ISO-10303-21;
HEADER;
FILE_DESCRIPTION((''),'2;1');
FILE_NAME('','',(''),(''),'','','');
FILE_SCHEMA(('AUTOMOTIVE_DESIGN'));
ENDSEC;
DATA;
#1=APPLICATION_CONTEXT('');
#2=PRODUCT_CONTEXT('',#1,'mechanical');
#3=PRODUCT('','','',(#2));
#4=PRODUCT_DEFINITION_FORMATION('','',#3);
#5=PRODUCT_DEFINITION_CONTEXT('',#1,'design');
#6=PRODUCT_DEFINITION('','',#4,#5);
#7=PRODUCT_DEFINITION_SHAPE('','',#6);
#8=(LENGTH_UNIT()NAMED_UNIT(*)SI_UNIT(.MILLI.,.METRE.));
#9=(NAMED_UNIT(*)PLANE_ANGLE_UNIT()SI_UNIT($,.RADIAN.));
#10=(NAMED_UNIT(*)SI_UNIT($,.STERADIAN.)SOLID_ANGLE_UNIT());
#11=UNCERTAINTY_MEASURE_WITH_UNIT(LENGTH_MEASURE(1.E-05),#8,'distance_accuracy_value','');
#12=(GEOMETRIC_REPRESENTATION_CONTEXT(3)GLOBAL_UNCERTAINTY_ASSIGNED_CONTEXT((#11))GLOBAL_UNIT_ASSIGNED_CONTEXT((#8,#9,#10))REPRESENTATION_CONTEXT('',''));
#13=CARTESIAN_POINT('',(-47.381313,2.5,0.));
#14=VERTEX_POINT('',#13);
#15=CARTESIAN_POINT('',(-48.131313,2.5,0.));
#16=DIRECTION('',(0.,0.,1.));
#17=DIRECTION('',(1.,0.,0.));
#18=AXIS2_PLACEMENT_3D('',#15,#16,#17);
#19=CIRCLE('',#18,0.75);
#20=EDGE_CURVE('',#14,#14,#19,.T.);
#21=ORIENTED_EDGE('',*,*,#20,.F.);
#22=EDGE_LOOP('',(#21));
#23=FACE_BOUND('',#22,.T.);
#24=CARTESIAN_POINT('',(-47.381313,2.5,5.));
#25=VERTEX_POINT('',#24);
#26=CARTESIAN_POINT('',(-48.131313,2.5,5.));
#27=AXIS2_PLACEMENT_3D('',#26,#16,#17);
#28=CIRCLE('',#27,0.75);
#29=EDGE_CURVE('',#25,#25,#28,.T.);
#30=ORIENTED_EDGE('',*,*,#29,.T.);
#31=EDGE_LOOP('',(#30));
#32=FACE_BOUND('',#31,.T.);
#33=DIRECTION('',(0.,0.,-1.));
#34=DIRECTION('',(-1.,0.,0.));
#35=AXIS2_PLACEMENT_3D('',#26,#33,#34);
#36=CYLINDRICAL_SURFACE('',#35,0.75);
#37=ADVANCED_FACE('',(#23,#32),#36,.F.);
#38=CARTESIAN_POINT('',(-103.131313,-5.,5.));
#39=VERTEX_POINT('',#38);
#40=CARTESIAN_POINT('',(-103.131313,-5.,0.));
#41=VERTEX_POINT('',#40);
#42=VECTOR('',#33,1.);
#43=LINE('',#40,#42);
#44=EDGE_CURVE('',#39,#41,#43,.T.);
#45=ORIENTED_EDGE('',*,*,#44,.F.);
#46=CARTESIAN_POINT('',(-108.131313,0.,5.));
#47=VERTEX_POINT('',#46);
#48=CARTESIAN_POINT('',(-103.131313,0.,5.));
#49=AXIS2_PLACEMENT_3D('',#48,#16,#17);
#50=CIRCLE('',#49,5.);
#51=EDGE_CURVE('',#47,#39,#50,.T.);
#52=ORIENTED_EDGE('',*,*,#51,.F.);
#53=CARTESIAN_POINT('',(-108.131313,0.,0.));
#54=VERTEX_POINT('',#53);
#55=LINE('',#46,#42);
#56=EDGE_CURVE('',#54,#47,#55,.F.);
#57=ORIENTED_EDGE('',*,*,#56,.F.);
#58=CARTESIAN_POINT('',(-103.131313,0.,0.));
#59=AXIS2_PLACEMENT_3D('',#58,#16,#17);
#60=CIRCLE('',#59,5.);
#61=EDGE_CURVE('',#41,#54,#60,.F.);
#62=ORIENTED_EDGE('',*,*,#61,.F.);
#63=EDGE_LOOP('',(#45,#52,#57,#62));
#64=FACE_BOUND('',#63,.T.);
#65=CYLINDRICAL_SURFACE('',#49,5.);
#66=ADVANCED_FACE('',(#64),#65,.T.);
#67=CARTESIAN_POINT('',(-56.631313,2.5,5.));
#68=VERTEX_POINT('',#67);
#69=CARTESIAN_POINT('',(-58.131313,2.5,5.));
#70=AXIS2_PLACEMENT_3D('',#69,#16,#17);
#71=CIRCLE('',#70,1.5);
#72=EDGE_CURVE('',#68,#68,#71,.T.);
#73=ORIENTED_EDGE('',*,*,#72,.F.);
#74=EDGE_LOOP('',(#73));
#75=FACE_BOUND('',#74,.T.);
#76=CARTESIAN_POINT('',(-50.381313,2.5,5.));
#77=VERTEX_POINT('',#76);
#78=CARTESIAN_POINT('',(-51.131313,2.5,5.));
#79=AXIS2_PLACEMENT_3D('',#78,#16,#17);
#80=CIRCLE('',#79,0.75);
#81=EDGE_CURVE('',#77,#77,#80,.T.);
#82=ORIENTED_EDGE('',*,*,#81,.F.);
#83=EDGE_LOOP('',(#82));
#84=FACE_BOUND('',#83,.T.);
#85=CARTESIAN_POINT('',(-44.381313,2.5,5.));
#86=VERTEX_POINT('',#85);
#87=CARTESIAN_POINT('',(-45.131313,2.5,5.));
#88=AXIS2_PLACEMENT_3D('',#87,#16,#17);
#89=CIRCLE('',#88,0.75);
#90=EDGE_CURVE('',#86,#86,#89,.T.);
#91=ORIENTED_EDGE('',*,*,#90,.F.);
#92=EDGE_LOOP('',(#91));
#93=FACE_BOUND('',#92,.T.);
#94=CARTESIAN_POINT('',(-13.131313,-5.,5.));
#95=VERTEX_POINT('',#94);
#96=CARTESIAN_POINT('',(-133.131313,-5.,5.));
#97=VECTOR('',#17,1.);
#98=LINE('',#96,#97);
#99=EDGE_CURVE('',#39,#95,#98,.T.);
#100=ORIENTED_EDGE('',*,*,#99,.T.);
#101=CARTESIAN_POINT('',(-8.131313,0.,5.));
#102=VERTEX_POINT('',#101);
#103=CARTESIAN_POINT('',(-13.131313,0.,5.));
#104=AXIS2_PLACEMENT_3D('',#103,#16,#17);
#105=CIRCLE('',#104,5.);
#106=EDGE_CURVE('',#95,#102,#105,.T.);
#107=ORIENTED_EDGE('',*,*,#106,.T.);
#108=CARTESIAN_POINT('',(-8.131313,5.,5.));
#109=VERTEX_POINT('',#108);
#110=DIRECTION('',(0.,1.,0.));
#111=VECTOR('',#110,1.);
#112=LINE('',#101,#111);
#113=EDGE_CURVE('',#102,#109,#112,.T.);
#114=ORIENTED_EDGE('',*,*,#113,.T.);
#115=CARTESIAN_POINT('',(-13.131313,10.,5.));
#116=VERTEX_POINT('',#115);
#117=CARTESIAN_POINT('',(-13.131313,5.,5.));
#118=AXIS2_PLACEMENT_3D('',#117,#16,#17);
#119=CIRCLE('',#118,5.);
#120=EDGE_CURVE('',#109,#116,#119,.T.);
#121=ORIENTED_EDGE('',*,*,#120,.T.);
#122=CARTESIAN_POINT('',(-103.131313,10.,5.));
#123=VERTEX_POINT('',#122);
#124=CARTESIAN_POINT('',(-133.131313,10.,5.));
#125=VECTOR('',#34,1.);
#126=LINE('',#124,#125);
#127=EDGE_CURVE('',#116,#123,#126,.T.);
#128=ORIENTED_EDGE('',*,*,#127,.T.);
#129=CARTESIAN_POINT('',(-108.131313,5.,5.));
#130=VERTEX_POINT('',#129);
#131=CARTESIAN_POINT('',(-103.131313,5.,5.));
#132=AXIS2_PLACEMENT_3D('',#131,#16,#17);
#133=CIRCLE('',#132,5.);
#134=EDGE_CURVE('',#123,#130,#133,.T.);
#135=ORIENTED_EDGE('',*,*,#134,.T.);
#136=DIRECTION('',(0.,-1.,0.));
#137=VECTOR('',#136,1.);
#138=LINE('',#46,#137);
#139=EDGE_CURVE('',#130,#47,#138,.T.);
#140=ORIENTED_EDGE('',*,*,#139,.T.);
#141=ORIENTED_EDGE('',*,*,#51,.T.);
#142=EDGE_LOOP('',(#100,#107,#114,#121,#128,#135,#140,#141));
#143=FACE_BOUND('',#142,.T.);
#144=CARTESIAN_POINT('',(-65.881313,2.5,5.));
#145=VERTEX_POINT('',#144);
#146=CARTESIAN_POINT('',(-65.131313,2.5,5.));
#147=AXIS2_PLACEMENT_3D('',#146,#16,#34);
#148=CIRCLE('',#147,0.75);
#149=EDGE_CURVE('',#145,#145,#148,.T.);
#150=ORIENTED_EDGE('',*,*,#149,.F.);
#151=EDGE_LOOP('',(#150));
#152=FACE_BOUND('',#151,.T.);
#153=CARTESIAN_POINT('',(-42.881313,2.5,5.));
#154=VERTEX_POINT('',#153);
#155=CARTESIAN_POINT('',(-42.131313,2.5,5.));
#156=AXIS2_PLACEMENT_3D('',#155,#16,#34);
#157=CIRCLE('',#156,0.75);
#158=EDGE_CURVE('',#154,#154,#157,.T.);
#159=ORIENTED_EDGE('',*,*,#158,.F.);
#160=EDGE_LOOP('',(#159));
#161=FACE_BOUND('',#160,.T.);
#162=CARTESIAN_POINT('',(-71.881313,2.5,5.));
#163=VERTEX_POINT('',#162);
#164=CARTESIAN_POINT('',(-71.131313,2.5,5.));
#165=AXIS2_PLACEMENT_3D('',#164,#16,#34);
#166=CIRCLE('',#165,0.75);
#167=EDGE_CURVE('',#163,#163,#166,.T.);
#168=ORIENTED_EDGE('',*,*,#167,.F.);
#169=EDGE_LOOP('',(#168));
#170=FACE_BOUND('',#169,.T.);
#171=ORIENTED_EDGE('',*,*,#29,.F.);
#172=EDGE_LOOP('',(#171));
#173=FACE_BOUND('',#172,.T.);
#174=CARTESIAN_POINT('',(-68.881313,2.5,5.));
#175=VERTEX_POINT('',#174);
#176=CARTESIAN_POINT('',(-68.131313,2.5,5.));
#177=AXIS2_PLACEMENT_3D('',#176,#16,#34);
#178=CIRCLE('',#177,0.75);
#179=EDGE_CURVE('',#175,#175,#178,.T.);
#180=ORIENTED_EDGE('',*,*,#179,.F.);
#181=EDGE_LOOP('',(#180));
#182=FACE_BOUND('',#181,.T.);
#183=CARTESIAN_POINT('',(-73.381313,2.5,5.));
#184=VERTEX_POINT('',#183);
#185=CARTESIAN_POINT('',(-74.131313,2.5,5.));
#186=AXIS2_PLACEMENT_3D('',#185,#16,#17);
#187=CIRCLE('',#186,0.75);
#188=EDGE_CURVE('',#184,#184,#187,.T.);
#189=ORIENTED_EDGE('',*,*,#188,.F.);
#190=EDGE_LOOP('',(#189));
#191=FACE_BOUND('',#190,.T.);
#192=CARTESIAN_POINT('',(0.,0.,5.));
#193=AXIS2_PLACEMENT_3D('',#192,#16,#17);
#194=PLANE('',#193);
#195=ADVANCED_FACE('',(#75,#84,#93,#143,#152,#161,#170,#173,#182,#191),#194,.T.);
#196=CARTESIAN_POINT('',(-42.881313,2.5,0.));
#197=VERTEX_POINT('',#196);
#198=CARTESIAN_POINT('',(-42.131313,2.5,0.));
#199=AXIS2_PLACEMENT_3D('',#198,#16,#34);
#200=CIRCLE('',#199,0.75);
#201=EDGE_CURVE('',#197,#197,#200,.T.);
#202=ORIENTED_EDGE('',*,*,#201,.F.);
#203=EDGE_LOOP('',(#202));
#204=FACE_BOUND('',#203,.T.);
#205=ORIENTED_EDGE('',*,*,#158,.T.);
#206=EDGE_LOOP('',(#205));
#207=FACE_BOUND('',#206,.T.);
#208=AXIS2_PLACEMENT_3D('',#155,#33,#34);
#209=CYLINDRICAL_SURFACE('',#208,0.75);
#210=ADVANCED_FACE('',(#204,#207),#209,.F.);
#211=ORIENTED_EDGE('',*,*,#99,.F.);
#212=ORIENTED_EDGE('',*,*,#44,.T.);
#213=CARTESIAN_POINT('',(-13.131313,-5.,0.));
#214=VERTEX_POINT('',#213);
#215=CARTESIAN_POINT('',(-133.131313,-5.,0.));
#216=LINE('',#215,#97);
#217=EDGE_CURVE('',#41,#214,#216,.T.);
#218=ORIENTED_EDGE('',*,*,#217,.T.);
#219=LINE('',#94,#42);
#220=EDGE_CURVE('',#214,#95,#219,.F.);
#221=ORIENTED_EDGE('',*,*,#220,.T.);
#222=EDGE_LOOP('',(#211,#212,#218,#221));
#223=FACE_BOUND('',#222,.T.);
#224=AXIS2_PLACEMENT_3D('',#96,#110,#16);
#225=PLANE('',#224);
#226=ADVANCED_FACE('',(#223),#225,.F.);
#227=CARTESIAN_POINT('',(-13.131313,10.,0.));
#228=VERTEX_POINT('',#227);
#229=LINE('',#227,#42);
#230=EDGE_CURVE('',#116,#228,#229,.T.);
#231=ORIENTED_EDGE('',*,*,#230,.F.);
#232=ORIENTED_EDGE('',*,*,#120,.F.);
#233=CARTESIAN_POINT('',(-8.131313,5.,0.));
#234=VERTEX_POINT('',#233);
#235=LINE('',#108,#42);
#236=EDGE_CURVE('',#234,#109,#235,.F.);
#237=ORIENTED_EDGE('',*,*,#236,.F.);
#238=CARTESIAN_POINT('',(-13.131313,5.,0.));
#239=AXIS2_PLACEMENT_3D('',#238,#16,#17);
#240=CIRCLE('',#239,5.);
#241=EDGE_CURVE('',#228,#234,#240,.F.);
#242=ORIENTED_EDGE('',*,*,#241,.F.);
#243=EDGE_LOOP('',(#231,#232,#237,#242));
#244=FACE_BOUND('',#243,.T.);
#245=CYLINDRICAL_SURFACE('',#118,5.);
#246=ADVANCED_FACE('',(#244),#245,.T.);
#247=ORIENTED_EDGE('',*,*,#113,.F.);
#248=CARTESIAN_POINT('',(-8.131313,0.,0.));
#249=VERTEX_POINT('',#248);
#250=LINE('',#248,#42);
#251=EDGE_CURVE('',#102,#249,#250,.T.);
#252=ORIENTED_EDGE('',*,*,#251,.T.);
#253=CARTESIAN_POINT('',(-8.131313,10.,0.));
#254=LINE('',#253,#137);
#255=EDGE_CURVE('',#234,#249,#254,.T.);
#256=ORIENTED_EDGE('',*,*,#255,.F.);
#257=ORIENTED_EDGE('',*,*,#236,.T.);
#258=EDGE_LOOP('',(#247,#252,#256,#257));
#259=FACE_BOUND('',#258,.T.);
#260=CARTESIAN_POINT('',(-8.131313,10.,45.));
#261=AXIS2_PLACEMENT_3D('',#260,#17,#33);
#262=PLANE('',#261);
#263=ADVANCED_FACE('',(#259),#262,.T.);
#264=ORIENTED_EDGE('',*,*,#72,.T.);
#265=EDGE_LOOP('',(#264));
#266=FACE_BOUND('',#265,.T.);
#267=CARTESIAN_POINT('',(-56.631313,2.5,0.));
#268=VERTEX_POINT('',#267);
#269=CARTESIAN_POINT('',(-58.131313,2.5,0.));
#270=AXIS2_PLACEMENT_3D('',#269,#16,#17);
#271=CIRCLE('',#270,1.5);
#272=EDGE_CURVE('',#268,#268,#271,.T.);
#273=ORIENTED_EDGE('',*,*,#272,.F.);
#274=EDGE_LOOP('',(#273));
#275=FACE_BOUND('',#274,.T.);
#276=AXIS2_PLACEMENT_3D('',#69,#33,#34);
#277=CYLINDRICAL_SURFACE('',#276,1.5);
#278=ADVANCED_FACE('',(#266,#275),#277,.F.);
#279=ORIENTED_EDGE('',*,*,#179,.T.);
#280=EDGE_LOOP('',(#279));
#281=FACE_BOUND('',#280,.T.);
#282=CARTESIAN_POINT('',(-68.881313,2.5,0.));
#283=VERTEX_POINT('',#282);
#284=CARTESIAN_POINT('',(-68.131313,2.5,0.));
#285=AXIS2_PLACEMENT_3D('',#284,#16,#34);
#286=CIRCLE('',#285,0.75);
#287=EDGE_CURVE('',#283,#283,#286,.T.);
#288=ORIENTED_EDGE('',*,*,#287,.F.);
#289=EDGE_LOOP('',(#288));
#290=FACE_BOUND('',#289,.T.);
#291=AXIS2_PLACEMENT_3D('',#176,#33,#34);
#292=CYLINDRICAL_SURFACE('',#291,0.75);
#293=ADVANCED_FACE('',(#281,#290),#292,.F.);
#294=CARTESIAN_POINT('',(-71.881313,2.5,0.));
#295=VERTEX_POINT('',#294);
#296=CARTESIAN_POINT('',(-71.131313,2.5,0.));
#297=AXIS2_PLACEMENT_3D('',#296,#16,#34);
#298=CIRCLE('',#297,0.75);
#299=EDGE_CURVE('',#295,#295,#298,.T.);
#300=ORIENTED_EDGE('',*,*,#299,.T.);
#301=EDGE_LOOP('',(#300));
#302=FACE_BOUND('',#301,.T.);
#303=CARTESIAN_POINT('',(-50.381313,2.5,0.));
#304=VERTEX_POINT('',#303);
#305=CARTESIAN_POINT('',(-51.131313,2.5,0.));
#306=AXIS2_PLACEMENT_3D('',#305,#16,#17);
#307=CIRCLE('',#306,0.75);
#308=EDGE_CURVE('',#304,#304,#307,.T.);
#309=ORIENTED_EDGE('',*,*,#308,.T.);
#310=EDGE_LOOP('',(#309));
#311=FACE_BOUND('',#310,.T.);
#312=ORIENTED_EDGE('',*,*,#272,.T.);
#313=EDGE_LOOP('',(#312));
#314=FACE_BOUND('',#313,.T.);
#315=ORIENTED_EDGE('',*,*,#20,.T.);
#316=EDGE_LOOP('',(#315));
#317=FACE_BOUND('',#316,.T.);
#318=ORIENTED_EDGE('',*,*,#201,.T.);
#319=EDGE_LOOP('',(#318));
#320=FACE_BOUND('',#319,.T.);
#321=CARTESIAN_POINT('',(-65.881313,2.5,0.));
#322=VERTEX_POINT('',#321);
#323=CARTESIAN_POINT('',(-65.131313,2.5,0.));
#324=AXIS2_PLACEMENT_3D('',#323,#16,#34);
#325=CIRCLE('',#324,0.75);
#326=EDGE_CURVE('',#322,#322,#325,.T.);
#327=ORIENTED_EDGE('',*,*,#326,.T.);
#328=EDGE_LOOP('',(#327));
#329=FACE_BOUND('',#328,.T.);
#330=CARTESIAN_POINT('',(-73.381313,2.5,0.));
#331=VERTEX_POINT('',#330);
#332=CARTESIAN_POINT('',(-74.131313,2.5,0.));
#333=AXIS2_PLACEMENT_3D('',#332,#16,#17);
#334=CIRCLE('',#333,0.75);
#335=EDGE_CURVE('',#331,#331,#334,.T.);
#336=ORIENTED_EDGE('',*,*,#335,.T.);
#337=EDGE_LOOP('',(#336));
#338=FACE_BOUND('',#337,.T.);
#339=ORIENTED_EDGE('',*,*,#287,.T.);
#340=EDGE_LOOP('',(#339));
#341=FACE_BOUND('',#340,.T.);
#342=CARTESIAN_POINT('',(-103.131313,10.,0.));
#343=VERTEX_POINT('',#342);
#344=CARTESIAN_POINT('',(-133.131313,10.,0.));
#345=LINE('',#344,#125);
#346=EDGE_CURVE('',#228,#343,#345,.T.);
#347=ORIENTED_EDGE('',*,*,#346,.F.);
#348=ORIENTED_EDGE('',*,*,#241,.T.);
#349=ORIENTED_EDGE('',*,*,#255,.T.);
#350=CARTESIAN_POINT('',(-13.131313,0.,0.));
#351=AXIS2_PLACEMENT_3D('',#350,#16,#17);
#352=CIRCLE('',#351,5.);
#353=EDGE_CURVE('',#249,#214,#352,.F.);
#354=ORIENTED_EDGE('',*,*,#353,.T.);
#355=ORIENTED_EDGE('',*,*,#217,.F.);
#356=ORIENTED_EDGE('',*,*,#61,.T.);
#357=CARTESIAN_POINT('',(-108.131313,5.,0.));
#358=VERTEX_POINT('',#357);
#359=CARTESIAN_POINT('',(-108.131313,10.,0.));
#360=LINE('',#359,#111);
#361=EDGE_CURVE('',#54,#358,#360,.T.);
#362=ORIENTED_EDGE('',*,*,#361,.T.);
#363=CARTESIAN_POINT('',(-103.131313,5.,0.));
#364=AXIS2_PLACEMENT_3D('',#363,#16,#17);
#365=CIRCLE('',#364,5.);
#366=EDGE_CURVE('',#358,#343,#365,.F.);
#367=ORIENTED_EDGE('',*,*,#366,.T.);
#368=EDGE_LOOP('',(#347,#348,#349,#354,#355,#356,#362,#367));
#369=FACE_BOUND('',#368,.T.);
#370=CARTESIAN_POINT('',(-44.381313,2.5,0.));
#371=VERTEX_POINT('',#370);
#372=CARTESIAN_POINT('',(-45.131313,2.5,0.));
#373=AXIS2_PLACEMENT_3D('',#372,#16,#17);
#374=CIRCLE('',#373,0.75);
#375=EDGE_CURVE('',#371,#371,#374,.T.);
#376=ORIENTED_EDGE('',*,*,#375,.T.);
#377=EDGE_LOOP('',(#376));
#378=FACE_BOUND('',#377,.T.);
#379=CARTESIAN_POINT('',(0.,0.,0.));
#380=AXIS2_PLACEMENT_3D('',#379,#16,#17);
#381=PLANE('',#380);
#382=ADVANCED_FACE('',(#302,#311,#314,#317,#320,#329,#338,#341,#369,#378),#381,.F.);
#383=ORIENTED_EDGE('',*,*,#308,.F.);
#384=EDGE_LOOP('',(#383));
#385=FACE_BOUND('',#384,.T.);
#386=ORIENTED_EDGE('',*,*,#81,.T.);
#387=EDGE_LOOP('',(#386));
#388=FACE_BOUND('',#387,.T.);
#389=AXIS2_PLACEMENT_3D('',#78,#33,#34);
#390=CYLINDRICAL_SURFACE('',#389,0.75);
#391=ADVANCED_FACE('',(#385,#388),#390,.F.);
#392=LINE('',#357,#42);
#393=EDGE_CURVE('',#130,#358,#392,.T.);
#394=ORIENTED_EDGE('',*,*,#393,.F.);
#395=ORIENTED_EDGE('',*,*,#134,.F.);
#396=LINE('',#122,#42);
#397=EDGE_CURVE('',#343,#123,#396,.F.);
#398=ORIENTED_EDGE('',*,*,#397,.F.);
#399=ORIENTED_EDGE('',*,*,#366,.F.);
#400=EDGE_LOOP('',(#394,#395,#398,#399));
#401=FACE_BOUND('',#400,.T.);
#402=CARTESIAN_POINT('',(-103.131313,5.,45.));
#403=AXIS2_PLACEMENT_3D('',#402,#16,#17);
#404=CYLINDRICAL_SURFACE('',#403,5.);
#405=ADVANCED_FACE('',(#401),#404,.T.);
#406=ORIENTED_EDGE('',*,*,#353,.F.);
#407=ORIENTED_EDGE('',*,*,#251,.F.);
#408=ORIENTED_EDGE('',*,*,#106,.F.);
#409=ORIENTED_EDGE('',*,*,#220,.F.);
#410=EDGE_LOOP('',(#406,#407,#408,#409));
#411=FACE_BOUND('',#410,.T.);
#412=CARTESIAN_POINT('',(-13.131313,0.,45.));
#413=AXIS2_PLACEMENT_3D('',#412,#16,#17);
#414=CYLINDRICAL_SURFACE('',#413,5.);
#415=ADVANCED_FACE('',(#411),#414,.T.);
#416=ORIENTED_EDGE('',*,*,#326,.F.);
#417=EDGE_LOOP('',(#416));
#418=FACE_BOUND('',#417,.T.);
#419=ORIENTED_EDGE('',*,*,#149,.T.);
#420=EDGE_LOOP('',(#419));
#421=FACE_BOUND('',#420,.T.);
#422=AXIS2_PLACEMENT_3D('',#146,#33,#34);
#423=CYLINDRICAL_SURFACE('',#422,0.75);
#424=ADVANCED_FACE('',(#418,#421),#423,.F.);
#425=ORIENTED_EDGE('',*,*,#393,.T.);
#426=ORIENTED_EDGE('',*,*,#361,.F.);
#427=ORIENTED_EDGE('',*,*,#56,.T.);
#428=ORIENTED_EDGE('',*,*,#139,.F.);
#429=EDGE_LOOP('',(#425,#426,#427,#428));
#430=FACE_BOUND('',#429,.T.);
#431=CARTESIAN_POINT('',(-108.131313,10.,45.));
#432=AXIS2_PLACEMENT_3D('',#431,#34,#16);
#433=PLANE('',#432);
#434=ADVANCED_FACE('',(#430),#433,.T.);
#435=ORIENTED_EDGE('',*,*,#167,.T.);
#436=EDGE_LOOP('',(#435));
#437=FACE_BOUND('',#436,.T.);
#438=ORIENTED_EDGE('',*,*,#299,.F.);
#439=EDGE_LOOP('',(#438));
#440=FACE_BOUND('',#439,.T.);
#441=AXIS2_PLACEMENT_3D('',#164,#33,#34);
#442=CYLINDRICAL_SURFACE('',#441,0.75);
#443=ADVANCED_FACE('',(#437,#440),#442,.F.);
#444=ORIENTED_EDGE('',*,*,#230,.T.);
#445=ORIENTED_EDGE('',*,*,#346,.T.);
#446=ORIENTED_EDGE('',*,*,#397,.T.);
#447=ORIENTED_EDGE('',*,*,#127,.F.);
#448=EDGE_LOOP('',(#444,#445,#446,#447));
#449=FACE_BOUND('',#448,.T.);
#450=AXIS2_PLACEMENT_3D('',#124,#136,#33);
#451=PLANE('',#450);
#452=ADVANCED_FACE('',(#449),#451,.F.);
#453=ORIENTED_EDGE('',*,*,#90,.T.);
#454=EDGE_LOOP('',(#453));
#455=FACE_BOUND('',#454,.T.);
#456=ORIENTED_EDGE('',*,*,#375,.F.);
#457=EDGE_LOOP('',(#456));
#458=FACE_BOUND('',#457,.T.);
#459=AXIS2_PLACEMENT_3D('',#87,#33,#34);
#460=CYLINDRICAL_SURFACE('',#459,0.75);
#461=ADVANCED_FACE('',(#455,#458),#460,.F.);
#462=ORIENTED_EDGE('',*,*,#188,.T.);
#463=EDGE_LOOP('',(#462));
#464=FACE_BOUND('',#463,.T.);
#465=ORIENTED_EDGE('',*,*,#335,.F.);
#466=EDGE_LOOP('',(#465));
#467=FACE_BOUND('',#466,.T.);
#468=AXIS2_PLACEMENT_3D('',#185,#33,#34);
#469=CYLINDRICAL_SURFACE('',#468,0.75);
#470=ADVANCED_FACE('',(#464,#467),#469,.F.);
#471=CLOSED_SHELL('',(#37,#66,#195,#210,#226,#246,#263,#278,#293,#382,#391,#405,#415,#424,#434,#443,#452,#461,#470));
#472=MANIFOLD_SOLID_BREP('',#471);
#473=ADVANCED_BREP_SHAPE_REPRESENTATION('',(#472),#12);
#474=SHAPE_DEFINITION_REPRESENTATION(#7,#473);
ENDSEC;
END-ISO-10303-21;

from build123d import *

# Parameters (mm, degrees)
SKETCH2_W           = 150
SKETCH2_H           = 15
BOSS_EXTRUDE1_DEPTH = 5
FILLET2_R           = 5
SKETCH6_R           = 1.5
SKETCH6_R_2         = 0.75
CUT_EXTRUDE4_DEPTH  = 134.599949611
SKETCH7_W           = 25
SKETCH7_H           = 15
SKETCH7_W_2         = 30.364729536
CUT_EXTRUDE6_DEPTH  = 45
FILLET3_R           = 5


with BuildPart() as part:
    # Sketch2 → Boss-Extrude1 (new body)
    with BuildSketch(Plane.XY):
        with Locations((-58.131313131, 2.5)):
            Rectangle(SKETCH2_W, SKETCH2_H)
    extrude(amount=BOSS_EXTRUDE1_DEPTH)

    # Fillet2
    fillet2_edges = [part.edges().sort_by_distance(p)[0] for p in [
        (-133.131313131, 10, 2.5),
        (16.868686869, 10, 2.5),
        (16.868686869, -5, 2.5),
        (-133.131313131, -5, 2.5),
    ]]
    fillet(fillet2_edges, radius=FILLET2_R)

    # Sketch6 → Cut-Extrude4 (cut, through all)
    with BuildSketch(Plane.XY):
        with Locations((-58.131313131, 2.5)):
            Circle(SKETCH6_R)
        with Locations((-51.131313131, 2.5)):
            Circle(SKETCH6_R_2)
        with Locations((-48.131313131, 2.5)):
            Circle(SKETCH6_R_2)
        with Locations((-45.131313131, 2.5)):
            Circle(SKETCH6_R_2)
        with Locations(Location((-65.131313131, 2.5, 0), (0, 0, 180))):
            Circle(SKETCH6_R_2)
        with Locations(Location((-68.131313131, 2.5, 0), (0, 0, 180))):
            Circle(SKETCH6_R_2)
        with Locations(Location((-71.131313131, 2.5, 0), (0, 0, 180))):
            Circle(SKETCH6_R_2)
        with Locations((-74.131313131, 2.5)):
            Circle(SKETCH6_R_2)
        with Locations(Location((-42.131313131, 2.5, 0), (0, 0, 180))):
            Circle(SKETCH6_R_2)
    extrude(amount=CUT_EXTRUDE4_DEPTH, mode=Mode.SUBTRACT)

    # Sketch7 → Cut-Extrude6 (cut)
    with BuildSketch(Plane.XY):
        with Locations((-120.631313131, 2.5)):
            Rectangle(SKETCH7_W, SKETCH7_H)
        with Locations((7.051051637, 2.5)):
            Rectangle(SKETCH7_W_2, SKETCH7_H)
    extrude(amount=CUT_EXTRUDE6_DEPTH, mode=Mode.SUBTRACT)

    # Fillet3
    fillet3_edges = [part.edges().sort_by_distance(p)[0] for p in [
        (-8.131313131, 10, 2.5),
        (-8.131313131, -5, 2.5),
        (-108.131313131, -5, 2.5),
        (-108.131313131, 10, 2.5),
    ]]
    fillet(fillet3_edges, radius=FILLET3_R)


solid = part.part
